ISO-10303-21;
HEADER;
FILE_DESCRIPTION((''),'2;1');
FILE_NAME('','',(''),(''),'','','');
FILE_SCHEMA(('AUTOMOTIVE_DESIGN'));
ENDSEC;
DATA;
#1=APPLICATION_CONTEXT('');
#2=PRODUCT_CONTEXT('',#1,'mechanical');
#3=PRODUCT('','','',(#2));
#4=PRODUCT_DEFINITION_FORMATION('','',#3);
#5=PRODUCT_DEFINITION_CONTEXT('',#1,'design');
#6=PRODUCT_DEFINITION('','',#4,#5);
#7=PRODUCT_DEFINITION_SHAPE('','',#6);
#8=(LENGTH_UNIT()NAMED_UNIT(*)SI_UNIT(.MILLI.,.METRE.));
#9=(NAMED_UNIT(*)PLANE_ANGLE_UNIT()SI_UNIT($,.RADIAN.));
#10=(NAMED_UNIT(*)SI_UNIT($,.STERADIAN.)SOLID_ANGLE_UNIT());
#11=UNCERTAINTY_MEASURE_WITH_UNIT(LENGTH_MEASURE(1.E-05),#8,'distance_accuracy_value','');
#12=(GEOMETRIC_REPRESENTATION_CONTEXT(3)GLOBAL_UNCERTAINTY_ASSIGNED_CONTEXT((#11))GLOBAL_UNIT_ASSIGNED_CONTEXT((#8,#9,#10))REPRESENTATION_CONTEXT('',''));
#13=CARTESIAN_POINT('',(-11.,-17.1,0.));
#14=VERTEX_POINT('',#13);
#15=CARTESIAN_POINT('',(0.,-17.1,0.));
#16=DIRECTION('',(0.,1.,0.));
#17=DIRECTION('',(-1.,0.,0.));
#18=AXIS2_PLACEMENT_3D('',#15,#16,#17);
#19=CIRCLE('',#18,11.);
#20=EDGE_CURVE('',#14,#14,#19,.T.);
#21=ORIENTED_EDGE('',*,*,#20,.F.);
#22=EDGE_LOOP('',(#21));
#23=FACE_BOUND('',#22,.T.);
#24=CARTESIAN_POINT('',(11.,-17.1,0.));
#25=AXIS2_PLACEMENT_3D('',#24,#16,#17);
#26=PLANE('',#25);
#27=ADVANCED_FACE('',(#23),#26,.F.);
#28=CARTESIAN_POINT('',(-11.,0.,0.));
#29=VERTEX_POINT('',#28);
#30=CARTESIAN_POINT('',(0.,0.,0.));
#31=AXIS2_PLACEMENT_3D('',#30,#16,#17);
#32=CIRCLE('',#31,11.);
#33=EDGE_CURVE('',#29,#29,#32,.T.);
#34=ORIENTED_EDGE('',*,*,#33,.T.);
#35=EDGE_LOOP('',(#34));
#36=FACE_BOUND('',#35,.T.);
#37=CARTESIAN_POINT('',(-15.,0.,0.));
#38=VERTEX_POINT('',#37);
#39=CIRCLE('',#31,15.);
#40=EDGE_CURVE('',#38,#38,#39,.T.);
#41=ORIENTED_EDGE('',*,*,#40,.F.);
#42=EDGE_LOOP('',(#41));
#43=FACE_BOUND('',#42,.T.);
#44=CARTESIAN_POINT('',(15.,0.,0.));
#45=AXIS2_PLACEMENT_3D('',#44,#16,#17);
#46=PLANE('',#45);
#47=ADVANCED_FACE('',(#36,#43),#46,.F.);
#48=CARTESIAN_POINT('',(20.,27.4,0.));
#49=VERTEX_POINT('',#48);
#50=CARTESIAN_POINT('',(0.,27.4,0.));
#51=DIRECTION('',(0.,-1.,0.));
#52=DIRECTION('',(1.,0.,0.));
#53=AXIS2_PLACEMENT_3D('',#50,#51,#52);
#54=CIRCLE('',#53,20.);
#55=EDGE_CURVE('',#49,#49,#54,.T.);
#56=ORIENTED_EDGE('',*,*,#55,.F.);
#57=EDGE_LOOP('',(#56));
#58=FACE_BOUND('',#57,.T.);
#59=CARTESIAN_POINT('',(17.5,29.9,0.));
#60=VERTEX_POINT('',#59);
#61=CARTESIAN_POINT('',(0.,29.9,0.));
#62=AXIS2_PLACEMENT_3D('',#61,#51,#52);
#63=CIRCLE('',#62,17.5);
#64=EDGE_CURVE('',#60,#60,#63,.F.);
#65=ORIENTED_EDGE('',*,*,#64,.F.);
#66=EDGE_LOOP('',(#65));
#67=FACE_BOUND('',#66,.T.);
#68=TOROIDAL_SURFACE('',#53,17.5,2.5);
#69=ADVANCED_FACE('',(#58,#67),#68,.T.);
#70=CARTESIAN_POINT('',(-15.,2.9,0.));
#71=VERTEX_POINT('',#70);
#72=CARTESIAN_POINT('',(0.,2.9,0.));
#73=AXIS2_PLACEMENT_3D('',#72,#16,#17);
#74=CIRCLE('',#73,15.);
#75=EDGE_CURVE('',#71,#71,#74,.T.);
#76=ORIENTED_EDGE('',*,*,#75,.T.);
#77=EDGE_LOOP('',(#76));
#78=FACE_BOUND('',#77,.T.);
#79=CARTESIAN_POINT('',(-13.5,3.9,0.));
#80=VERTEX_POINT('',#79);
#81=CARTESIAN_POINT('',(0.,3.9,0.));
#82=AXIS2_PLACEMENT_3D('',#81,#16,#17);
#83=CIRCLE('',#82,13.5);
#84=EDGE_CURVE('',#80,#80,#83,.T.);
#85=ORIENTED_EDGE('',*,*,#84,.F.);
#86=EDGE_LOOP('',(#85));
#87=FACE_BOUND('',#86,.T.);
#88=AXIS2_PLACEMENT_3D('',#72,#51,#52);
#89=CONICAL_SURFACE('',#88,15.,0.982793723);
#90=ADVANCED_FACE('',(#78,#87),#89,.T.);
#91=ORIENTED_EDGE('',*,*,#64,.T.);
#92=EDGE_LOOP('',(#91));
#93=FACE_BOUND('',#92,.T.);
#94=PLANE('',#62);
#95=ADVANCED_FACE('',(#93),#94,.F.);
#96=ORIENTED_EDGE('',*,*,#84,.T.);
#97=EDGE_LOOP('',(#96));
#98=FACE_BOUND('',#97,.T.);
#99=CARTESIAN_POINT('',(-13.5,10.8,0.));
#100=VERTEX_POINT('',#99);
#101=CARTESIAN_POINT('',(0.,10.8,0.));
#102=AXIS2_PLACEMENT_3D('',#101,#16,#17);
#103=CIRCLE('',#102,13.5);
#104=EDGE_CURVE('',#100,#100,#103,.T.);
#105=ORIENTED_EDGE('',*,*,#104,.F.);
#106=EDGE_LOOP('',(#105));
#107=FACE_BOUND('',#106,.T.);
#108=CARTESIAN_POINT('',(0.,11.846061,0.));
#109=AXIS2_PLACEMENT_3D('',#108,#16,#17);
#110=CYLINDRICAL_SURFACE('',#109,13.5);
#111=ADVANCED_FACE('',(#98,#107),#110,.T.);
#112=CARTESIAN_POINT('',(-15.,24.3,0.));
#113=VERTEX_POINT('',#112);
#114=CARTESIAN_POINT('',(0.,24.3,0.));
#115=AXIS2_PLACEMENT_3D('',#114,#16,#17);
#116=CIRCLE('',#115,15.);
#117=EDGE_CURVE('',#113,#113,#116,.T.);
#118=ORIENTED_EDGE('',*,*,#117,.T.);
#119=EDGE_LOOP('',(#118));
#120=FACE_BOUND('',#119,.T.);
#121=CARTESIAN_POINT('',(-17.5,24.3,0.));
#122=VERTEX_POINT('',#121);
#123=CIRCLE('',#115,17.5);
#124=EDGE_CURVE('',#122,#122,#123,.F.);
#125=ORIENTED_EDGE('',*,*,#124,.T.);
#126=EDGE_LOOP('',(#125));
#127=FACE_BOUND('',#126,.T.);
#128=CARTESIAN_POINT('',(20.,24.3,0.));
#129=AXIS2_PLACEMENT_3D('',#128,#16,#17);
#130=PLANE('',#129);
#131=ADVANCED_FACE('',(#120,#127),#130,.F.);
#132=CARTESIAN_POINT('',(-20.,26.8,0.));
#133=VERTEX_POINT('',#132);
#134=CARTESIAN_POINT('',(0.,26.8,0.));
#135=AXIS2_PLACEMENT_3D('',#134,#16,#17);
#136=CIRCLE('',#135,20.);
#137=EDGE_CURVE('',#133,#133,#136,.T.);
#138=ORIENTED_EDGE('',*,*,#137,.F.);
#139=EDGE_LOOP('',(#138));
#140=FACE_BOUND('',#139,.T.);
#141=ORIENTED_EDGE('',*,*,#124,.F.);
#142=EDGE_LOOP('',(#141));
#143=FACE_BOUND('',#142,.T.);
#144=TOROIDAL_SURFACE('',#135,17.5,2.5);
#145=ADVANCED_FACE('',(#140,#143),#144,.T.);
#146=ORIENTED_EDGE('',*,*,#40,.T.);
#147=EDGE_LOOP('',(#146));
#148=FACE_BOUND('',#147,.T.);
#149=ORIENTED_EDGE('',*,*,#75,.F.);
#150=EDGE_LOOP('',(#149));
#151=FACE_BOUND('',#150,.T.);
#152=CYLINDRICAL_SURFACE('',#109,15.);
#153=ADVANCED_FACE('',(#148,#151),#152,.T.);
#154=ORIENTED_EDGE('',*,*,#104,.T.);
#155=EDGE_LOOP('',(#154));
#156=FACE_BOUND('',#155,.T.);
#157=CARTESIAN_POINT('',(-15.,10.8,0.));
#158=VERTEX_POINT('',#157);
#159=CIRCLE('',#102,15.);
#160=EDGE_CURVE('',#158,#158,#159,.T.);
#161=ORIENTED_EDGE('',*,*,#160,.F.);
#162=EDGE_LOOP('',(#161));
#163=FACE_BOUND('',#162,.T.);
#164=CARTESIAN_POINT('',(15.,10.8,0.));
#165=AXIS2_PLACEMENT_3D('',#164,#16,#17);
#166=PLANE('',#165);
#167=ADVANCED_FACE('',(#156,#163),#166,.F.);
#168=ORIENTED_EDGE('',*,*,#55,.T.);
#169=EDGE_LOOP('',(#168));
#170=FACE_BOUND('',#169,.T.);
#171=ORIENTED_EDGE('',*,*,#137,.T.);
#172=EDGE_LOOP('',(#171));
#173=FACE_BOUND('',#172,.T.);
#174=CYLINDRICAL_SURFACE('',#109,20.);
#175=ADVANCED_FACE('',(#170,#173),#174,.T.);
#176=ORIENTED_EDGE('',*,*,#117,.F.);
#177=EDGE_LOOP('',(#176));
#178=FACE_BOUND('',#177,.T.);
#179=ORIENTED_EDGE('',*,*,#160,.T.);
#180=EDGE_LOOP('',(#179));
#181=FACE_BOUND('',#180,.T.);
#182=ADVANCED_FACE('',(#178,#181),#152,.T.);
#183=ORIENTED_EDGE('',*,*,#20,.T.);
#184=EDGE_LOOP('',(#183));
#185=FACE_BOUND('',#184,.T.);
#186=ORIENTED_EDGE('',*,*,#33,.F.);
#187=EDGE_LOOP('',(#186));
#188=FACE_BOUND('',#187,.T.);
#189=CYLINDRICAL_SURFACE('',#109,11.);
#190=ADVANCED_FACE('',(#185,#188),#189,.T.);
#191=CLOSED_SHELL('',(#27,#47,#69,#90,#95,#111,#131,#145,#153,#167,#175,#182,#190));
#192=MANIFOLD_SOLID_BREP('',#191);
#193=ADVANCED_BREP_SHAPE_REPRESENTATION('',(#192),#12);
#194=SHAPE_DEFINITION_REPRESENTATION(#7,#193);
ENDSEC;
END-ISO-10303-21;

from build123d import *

# Parameters (mm, degrees)
FILLET1_R = 2.5


with BuildPart() as part:
    # Sketch1 → Revolve1 (revolve)
    with BuildSketch(Plane.XY, mode=Mode.PRIVATE) as revolve1_sk:
        Polygon((0, 29.9), (20, 29.9), (20, 24.3), (15, 24.3), (15, 10.8), (13.5, 10.8), (13.5, 3.9), (15, 2.9), (15, 0), (11, 0), (11, -17.1), (0, -17.1), align=None)
    revolve(revolve1_sk.sketch.rotate(Axis((0, 11.846060729, 0), (0, -1, 0)), 180), axis=Axis((0, 11.846060729, 0), (0, -1, 0)))

    # Fillet1
    fillet1_edges = [part.edges().sort_by_distance(p)[0] for p in [
        (20, 24.3, 0),
        (20, 29.9, 0),
    ]]
    fillet(fillet1_edges, radius=FILLET1_R)


solid = part.part
